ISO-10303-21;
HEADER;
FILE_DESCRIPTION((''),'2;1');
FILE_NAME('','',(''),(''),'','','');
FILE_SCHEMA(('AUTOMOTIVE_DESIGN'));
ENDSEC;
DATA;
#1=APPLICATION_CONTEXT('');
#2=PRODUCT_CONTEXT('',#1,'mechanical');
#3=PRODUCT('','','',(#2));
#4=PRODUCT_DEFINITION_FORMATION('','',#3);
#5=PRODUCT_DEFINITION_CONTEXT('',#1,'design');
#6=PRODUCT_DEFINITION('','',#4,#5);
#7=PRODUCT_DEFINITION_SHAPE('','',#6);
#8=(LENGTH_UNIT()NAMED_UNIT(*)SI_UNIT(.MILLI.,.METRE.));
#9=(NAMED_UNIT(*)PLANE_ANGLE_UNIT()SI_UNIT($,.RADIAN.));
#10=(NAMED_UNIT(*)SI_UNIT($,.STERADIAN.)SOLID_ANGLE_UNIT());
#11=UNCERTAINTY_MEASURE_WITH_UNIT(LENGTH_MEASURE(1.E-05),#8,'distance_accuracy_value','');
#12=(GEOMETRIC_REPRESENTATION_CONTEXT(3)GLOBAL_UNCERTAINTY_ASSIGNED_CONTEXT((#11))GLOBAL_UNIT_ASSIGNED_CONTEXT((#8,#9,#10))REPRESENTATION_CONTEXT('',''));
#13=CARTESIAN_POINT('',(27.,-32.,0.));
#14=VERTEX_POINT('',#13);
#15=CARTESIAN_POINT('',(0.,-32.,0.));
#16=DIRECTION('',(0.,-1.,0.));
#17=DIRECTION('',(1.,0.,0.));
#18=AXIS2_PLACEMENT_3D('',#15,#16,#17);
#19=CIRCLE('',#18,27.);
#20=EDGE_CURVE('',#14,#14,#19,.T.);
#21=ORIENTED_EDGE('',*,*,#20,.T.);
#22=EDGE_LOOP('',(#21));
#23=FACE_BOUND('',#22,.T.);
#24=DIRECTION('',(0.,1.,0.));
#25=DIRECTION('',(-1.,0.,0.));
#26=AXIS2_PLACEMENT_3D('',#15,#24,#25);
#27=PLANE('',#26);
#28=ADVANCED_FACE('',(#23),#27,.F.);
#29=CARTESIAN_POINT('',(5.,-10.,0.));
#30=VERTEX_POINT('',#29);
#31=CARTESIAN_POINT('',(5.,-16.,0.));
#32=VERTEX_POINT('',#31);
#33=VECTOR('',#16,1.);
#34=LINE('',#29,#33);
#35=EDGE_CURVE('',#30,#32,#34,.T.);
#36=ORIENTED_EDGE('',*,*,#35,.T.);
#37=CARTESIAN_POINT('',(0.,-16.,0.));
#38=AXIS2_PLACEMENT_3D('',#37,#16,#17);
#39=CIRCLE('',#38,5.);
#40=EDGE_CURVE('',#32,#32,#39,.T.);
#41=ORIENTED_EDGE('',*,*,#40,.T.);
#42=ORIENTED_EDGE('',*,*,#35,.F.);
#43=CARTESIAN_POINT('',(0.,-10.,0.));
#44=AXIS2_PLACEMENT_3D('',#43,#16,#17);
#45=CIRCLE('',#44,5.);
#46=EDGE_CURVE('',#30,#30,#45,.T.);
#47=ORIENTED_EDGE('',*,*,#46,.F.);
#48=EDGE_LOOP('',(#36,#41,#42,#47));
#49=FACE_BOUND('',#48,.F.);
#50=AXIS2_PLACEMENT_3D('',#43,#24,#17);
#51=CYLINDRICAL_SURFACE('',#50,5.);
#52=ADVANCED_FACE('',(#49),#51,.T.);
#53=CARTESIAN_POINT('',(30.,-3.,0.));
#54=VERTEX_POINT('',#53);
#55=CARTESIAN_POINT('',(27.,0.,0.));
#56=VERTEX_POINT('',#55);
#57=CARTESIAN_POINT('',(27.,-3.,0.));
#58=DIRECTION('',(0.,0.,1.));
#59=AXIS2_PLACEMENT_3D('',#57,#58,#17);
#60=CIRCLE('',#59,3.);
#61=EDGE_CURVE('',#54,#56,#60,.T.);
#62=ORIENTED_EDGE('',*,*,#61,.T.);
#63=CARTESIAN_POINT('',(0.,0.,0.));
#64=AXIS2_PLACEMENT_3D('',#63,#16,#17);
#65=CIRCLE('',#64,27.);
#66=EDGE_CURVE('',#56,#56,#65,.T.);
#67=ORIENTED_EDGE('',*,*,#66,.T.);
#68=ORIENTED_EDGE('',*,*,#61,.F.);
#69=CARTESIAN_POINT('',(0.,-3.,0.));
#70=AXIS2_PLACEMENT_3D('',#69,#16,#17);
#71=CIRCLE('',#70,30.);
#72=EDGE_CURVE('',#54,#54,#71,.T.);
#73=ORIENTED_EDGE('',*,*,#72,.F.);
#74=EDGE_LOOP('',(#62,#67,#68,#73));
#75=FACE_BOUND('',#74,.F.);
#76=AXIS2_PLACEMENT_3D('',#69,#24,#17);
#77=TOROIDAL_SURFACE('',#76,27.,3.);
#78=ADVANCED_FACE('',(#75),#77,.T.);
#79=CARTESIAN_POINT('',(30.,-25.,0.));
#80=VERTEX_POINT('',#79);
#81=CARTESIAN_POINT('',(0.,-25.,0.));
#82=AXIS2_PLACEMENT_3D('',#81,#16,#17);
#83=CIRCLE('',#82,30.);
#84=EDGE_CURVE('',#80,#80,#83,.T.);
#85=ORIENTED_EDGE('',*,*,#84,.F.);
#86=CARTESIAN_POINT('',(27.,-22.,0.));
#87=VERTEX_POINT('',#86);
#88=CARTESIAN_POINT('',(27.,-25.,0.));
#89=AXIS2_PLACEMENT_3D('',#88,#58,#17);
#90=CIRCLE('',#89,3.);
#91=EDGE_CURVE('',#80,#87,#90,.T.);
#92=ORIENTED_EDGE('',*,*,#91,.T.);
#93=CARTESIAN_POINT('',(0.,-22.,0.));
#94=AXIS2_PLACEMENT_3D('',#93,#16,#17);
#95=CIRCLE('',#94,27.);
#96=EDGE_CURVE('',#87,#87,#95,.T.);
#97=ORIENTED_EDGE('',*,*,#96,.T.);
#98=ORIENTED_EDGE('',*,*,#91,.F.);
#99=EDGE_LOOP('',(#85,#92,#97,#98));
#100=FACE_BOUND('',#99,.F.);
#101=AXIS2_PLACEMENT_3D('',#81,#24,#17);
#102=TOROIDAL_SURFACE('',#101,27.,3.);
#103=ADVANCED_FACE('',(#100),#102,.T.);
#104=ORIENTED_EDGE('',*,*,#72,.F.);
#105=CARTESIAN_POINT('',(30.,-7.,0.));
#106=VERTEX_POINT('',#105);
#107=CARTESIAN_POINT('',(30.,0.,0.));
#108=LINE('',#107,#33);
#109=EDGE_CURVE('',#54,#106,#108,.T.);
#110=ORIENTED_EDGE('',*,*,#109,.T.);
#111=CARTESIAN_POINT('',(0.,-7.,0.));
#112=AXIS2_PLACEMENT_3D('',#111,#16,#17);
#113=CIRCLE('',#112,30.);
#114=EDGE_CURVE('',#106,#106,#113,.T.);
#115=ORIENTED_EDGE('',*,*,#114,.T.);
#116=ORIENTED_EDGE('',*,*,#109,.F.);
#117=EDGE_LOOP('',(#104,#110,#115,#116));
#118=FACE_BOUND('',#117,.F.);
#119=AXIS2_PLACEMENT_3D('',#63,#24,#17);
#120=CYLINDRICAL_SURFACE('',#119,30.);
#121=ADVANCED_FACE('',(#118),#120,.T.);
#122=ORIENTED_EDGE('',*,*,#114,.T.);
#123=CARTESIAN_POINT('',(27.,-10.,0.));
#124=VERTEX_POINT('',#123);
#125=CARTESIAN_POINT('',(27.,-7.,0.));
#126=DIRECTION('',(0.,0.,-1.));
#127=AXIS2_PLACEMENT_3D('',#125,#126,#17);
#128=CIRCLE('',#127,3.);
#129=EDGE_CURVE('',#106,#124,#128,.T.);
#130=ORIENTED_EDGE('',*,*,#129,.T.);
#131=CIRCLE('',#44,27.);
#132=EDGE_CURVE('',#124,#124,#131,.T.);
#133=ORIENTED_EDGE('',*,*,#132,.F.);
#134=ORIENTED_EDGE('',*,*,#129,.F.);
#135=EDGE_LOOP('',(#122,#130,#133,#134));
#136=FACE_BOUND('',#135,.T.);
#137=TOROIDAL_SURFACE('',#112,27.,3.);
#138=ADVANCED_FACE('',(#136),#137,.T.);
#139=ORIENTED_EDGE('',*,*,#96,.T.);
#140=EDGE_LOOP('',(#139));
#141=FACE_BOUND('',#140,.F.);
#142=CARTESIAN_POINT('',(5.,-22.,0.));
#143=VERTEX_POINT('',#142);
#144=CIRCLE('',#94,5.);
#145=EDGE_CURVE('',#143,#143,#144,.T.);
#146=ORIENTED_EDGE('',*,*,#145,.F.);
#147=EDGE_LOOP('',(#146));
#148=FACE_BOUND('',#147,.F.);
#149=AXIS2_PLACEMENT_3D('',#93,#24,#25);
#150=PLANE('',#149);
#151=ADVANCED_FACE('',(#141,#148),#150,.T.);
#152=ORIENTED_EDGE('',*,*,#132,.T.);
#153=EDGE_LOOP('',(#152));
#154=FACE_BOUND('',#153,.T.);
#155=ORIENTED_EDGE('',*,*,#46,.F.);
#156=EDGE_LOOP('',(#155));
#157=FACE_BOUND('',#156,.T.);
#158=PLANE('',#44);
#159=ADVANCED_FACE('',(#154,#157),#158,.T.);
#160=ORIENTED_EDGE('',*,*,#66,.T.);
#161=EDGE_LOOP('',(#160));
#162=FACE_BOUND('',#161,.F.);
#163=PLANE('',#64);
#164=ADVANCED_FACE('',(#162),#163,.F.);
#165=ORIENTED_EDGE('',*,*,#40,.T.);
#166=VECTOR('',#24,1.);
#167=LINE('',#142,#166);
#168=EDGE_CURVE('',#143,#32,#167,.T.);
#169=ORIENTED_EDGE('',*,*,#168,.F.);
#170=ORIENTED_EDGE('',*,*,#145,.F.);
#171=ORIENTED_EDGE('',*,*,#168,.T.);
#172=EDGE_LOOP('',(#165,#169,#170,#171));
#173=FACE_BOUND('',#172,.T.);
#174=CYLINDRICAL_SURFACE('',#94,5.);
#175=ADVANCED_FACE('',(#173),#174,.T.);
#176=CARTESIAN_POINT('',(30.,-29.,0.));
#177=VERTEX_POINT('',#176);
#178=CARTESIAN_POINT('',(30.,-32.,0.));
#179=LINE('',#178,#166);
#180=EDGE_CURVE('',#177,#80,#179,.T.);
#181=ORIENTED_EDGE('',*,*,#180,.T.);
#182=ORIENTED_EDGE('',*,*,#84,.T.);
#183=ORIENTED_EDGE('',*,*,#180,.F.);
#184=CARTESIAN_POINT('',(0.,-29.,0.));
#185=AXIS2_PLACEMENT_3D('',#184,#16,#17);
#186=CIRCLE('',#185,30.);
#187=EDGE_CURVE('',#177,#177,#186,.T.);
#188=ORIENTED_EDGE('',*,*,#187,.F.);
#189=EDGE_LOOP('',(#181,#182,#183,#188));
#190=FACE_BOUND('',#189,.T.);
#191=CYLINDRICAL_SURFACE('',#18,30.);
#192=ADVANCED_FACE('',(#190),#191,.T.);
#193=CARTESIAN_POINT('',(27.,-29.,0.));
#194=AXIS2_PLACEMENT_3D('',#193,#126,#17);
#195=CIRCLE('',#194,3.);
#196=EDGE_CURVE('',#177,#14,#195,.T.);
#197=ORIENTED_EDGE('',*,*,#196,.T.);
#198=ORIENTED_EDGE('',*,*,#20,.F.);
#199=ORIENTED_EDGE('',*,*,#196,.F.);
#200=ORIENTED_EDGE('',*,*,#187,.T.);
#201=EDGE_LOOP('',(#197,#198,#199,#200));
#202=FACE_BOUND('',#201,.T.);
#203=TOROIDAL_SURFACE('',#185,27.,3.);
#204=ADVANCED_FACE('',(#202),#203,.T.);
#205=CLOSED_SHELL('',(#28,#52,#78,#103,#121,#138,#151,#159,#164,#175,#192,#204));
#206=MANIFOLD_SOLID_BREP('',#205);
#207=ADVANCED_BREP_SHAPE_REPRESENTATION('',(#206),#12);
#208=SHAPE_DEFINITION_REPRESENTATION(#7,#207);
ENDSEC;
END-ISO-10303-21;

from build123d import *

# Parameters (mm, degrees)
F0_R     = 30
F1_DEPTH = 10
F2_R     = 3
F3_R     = 5
F4_DEPTH = 6


with BuildPart() as f1:
    # F0 (on Front) → F1 (new body)
    with BuildSketch(Plane.XZ):
        Circle(F0_R)
    extrude(amount=F1_DEPTH)

    # F2
    f2_edges = [f1.edges().sort_by_distance(p)[0] for p in [
        (-30, -10, 0),
        (-30, 0, 0),
    ]]
    fillet(f2_edges, radius=F2_R)

    # F3 (on face) → F4 (join)
    with BuildSketch(Plane.XZ.offset(10)):
        Circle(F3_R)
    extrude(amount=F4_DEPTH)

    # F5: F1 across face


with BuildPart() as f1_1:
    add(f1.part)
    add(f1.part.mirror(Plane.XZ.offset(16)))


solid = f1_1.part
